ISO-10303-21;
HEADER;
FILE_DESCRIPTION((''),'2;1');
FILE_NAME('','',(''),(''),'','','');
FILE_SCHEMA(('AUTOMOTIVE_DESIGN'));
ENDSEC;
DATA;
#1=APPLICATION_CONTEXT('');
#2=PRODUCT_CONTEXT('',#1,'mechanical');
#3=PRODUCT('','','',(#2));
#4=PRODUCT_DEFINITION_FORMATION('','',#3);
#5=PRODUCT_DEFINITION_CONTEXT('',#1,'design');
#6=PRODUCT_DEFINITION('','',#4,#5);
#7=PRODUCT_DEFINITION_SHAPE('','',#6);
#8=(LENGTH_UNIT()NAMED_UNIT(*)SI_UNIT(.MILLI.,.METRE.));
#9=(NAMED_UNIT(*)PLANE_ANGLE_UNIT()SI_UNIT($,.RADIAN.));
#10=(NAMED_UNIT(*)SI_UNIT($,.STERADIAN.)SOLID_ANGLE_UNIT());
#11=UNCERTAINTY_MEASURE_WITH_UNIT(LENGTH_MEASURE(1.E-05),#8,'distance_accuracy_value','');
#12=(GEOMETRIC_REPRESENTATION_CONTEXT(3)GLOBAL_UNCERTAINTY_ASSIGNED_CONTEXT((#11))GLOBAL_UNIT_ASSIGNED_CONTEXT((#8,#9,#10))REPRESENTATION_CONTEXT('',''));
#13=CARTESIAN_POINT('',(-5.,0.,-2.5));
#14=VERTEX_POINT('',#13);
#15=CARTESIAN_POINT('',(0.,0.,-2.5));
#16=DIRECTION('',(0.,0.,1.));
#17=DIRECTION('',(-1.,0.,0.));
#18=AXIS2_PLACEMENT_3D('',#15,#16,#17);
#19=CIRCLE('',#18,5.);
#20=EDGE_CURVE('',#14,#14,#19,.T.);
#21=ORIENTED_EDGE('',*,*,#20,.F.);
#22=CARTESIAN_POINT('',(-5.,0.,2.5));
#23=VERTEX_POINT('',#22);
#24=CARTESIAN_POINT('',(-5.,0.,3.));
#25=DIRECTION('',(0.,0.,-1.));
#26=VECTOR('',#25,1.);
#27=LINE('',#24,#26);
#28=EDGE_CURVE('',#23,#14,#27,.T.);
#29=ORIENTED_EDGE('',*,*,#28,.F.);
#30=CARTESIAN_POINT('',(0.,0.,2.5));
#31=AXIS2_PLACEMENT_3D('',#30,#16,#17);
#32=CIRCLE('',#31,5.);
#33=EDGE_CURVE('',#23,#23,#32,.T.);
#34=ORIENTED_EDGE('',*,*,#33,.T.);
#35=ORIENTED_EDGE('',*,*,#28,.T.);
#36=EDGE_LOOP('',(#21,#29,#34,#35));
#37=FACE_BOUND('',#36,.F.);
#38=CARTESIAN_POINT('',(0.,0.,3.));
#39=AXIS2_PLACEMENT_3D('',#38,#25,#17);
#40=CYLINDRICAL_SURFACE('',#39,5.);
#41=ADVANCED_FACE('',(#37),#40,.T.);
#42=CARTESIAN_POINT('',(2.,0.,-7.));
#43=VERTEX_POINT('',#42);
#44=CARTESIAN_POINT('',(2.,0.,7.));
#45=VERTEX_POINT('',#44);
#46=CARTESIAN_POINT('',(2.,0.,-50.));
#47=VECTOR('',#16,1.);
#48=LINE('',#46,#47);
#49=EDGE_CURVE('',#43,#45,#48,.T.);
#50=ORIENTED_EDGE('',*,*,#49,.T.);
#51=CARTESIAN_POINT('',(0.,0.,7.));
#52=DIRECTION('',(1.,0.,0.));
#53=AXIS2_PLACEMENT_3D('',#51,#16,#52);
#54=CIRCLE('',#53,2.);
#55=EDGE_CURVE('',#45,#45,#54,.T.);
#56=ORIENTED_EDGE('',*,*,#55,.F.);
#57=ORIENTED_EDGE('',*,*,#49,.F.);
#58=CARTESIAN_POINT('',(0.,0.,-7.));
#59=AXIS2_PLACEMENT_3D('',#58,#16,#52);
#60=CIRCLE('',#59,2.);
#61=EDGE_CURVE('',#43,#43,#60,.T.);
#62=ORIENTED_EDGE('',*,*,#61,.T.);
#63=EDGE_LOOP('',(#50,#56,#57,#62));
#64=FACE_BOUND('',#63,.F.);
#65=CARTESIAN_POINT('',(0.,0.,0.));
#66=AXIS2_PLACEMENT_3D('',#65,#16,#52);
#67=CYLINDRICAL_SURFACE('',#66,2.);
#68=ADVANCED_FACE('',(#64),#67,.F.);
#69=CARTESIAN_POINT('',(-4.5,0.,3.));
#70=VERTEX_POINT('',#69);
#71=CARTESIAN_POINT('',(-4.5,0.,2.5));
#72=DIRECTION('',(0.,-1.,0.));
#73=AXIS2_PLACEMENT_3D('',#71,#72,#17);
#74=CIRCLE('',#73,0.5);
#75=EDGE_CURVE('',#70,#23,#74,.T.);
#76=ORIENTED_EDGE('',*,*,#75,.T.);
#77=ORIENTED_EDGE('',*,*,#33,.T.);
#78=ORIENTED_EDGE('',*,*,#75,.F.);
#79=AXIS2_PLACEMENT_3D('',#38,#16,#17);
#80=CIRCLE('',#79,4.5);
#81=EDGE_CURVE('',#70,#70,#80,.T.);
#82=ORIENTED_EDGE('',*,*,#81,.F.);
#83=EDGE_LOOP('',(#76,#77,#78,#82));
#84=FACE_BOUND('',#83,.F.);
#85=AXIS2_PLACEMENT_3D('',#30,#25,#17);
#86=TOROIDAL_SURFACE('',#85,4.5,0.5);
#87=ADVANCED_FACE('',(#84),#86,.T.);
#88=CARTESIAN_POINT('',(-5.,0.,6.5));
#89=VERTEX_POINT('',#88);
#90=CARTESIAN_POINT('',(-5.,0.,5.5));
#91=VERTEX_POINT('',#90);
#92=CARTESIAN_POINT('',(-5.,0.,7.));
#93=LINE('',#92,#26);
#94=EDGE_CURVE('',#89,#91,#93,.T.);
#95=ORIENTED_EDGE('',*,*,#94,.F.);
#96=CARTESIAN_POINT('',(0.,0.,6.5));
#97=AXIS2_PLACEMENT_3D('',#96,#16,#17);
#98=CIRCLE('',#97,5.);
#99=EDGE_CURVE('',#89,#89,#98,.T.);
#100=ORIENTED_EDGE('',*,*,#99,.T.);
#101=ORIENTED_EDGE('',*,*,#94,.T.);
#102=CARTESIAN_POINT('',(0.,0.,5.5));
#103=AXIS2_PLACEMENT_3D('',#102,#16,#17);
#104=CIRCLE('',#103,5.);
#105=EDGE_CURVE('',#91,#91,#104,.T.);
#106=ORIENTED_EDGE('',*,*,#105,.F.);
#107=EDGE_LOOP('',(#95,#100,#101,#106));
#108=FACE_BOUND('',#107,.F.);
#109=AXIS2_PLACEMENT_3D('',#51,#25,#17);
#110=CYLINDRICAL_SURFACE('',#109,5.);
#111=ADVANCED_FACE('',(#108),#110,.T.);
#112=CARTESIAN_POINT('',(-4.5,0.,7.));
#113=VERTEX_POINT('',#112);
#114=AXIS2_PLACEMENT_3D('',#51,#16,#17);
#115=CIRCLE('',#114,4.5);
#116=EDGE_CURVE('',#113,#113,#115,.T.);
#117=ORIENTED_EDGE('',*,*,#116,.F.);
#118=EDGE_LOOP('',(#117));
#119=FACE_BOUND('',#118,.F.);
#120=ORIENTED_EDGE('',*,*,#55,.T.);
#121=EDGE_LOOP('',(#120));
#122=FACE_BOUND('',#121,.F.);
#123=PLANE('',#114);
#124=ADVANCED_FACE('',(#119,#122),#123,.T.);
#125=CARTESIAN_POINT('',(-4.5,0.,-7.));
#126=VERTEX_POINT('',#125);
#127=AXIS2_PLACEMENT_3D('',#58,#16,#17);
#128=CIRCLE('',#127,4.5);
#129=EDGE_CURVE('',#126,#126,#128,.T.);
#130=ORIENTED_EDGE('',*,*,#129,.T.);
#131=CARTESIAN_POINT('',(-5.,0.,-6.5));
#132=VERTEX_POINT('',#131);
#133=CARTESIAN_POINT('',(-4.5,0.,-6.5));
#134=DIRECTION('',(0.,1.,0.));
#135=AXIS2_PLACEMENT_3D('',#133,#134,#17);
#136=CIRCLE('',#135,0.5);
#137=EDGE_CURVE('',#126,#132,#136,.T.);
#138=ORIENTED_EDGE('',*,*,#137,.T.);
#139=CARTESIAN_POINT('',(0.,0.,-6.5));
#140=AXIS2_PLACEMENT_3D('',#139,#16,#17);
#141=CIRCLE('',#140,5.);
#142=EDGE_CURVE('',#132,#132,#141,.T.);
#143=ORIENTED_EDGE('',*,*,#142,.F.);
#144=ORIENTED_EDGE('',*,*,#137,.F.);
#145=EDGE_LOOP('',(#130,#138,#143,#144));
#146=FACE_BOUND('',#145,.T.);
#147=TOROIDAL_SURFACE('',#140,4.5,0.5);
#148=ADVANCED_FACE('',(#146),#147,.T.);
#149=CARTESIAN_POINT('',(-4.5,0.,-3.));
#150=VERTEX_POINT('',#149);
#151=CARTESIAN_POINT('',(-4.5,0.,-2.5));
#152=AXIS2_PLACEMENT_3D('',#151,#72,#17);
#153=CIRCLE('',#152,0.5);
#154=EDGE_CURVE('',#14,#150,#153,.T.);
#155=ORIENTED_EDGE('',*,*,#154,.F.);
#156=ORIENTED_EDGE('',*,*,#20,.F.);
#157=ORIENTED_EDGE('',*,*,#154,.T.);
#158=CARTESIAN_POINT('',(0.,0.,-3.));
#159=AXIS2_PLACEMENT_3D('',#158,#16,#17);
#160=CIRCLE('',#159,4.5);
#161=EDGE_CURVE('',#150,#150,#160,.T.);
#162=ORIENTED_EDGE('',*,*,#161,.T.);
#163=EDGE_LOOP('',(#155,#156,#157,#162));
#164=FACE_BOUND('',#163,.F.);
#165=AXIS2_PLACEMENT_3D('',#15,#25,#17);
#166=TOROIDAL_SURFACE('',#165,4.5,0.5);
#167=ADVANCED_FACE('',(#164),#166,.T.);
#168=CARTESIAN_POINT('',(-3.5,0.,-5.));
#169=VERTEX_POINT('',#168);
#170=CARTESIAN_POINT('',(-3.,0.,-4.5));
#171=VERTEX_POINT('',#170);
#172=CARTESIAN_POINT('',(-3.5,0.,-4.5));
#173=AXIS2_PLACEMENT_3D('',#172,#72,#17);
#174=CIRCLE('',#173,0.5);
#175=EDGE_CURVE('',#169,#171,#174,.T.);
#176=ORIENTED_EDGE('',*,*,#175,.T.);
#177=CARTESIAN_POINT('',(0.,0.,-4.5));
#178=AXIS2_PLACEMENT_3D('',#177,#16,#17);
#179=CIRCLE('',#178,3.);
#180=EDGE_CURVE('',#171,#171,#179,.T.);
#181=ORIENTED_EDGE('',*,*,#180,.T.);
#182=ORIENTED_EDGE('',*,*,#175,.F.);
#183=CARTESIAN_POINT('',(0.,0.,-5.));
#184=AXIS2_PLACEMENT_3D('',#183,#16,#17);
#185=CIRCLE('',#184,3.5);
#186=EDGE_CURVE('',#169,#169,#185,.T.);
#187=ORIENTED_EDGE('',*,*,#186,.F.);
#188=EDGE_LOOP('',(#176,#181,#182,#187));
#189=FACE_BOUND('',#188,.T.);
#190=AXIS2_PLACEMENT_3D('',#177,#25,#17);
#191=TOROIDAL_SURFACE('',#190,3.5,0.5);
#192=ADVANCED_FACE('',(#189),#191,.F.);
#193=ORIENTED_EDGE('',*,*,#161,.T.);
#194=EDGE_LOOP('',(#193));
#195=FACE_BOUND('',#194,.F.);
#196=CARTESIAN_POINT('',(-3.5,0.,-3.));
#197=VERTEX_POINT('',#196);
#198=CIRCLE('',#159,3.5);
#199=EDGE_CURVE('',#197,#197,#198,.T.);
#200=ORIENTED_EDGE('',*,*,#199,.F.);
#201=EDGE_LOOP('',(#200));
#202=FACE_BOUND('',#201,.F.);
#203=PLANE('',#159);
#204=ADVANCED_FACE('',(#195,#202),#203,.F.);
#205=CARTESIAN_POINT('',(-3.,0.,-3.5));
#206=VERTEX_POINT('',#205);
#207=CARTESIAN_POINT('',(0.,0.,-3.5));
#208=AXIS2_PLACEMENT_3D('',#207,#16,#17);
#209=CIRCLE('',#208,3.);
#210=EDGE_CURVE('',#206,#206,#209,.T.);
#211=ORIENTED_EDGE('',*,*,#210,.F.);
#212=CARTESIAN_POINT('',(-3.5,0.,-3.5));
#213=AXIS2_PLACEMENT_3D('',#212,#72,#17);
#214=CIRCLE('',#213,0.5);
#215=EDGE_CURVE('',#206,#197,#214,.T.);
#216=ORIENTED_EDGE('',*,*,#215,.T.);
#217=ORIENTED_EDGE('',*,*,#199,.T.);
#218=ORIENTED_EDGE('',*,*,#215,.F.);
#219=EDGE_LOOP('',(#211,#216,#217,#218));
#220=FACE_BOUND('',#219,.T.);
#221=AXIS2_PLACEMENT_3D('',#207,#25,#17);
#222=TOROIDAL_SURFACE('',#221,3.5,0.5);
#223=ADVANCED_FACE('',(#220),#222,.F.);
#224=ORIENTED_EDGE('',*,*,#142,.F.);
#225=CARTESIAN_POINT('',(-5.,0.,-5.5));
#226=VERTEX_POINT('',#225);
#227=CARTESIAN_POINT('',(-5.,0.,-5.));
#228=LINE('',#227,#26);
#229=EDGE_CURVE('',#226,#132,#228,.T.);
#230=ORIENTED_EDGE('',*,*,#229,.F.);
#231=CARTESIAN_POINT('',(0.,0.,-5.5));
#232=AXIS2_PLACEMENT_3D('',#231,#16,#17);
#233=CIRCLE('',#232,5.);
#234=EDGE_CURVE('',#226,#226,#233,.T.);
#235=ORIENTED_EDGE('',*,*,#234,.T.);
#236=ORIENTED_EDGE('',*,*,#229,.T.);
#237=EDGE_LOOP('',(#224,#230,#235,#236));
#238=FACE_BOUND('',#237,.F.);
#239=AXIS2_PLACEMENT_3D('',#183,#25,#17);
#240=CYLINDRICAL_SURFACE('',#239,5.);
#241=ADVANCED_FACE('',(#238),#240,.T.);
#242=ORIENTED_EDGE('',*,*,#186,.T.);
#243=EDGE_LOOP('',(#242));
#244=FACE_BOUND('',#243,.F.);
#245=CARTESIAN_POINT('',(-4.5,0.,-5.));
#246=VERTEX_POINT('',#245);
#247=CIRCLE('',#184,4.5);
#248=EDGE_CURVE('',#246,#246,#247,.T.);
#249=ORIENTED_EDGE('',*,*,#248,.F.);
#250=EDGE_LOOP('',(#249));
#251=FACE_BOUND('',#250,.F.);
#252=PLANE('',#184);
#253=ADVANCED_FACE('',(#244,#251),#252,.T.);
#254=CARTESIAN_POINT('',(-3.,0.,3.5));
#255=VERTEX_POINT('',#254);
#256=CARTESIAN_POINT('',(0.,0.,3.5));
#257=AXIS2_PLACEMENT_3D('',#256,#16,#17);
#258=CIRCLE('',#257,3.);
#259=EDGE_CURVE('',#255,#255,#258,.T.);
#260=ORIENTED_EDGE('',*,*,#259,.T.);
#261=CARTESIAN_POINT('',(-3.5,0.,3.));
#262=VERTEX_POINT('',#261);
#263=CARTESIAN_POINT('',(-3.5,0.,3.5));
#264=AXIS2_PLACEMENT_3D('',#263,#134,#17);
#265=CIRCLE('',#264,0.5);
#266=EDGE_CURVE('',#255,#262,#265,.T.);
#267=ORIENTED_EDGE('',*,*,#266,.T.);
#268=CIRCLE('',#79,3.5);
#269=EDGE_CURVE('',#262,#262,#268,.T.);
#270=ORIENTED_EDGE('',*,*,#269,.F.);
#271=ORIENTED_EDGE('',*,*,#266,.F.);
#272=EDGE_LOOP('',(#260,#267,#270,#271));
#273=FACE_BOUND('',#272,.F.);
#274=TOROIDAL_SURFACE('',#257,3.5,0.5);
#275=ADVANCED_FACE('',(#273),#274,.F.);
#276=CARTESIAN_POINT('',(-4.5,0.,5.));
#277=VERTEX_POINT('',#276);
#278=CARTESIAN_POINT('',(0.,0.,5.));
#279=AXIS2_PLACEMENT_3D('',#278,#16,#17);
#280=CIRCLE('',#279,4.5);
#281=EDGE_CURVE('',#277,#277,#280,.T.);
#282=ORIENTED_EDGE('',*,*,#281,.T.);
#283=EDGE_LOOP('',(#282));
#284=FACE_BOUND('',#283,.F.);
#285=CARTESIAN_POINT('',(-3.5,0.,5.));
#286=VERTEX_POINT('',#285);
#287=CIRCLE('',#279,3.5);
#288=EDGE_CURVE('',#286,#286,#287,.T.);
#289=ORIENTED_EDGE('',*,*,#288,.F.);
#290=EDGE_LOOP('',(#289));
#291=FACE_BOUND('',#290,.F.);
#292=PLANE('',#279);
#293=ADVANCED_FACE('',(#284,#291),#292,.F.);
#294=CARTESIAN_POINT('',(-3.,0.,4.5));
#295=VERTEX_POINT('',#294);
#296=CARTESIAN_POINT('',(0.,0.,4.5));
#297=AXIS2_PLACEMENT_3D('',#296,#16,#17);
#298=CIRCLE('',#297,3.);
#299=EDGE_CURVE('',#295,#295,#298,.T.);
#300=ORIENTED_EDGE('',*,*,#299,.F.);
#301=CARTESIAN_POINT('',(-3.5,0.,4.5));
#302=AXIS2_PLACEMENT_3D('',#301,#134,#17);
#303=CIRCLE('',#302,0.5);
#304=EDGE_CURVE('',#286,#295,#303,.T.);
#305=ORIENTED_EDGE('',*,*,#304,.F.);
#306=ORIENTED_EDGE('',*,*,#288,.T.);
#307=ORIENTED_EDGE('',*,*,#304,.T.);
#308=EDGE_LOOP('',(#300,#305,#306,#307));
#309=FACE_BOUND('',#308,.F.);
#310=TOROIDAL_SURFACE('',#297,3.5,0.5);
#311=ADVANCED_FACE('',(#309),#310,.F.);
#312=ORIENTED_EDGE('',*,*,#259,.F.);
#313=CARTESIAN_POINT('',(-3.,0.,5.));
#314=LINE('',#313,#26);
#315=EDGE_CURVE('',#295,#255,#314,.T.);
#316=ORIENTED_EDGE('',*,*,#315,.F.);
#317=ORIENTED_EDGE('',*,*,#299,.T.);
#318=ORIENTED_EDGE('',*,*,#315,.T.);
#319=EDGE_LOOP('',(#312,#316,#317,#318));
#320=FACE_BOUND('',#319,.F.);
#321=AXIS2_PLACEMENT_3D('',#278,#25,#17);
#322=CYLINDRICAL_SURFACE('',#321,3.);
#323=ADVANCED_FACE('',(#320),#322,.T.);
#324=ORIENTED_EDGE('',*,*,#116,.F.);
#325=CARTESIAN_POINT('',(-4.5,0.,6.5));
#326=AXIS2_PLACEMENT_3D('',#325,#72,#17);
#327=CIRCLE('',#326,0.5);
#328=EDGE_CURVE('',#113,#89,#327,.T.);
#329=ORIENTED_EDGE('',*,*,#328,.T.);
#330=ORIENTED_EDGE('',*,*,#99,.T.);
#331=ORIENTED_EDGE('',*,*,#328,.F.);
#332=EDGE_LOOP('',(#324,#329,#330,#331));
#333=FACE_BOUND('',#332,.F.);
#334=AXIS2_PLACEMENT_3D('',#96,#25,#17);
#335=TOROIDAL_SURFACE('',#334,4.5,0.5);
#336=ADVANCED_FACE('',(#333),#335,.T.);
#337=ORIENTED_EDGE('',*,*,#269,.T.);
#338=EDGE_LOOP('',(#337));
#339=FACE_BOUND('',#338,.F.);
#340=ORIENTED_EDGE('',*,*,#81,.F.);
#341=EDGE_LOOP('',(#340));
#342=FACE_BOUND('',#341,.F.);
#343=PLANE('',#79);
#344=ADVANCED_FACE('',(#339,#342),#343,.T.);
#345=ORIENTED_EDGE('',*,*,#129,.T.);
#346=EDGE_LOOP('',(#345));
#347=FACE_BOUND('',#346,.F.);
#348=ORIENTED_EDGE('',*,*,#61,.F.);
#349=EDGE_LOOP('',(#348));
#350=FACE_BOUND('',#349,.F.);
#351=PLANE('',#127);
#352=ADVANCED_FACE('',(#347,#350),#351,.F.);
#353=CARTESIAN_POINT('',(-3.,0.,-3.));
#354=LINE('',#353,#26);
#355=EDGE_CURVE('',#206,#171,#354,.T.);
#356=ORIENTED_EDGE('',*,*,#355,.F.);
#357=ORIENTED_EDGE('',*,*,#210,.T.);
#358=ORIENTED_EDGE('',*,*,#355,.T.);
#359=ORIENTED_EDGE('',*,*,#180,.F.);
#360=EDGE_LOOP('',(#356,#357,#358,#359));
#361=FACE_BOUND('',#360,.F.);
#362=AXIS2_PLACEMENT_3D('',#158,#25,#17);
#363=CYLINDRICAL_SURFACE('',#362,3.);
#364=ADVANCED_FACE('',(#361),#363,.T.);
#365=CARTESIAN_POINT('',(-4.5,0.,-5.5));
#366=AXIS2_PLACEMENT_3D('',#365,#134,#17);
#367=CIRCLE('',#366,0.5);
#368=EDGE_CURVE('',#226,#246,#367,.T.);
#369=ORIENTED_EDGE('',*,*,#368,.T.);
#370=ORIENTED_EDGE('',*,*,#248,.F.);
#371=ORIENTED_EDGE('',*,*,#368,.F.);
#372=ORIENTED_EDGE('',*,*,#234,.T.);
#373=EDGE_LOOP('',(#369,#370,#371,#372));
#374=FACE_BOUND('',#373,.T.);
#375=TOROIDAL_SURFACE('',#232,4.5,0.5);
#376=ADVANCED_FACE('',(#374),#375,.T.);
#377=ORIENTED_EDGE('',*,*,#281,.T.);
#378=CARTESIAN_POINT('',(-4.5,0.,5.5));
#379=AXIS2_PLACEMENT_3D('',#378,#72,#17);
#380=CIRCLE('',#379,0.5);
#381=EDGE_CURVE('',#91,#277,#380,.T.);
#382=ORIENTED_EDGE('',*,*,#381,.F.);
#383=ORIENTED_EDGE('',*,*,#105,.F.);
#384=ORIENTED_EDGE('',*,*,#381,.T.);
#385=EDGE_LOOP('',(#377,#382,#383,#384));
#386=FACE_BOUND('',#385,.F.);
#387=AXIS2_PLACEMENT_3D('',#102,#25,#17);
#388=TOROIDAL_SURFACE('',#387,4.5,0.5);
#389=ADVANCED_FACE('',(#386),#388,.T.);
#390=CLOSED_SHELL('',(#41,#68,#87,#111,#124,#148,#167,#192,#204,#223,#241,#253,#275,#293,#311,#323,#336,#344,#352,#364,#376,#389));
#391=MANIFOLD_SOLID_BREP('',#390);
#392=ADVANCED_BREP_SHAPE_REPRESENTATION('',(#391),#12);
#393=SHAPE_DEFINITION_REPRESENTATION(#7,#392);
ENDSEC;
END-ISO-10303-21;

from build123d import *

# Parameters (mm, degrees)
F2_R     = 2
F3_DEPTH = 50
F4_R     = 0.5


with BuildPart() as f1:
    # F0 (on Front) → F1 (revolve)
    with BuildSketch(Plane.XZ):
        Polygon((0, -7), (0, 7), (-5, 7), (-5, 5), (-3, 5), (-3, 3), (-5, 3), (-5, -3), (-3, -3), (-3, -5), (-5, -5), (-5, -7), align=None)
    revolve(axis=Axis((0, 0, 0), (0, 0, 1)))

    # F2 (on Top) → F3 (cut, symmetric)
    with BuildSketch(Plane.XY):
        Circle(F2_R)
    extrude(amount=F3_DEPTH, both=True, mode=Mode.SUBTRACT)

    # F4
    f4_edges = [f1.edges().sort_by_distance(p)[0] for p in [
        (5, 0, 7),
        (5, 0, 5),
        (-5, 0, 6),
        (5, 0, 3),
        (5, 0, -3),
        (-5, 0, 0),
        (5, 0, -5),
        (5, 0, -7),
        (-5, 0, -6),
        (3, 0, -3),
        (3, 0, -5),
        (-3, 0, -4),
        (3, 0, 5),
        (3, 0, 3),
        (-3, 0, 4),
    ]]
    fillet(f4_edges, radius=F4_R)


solid = f1.part
